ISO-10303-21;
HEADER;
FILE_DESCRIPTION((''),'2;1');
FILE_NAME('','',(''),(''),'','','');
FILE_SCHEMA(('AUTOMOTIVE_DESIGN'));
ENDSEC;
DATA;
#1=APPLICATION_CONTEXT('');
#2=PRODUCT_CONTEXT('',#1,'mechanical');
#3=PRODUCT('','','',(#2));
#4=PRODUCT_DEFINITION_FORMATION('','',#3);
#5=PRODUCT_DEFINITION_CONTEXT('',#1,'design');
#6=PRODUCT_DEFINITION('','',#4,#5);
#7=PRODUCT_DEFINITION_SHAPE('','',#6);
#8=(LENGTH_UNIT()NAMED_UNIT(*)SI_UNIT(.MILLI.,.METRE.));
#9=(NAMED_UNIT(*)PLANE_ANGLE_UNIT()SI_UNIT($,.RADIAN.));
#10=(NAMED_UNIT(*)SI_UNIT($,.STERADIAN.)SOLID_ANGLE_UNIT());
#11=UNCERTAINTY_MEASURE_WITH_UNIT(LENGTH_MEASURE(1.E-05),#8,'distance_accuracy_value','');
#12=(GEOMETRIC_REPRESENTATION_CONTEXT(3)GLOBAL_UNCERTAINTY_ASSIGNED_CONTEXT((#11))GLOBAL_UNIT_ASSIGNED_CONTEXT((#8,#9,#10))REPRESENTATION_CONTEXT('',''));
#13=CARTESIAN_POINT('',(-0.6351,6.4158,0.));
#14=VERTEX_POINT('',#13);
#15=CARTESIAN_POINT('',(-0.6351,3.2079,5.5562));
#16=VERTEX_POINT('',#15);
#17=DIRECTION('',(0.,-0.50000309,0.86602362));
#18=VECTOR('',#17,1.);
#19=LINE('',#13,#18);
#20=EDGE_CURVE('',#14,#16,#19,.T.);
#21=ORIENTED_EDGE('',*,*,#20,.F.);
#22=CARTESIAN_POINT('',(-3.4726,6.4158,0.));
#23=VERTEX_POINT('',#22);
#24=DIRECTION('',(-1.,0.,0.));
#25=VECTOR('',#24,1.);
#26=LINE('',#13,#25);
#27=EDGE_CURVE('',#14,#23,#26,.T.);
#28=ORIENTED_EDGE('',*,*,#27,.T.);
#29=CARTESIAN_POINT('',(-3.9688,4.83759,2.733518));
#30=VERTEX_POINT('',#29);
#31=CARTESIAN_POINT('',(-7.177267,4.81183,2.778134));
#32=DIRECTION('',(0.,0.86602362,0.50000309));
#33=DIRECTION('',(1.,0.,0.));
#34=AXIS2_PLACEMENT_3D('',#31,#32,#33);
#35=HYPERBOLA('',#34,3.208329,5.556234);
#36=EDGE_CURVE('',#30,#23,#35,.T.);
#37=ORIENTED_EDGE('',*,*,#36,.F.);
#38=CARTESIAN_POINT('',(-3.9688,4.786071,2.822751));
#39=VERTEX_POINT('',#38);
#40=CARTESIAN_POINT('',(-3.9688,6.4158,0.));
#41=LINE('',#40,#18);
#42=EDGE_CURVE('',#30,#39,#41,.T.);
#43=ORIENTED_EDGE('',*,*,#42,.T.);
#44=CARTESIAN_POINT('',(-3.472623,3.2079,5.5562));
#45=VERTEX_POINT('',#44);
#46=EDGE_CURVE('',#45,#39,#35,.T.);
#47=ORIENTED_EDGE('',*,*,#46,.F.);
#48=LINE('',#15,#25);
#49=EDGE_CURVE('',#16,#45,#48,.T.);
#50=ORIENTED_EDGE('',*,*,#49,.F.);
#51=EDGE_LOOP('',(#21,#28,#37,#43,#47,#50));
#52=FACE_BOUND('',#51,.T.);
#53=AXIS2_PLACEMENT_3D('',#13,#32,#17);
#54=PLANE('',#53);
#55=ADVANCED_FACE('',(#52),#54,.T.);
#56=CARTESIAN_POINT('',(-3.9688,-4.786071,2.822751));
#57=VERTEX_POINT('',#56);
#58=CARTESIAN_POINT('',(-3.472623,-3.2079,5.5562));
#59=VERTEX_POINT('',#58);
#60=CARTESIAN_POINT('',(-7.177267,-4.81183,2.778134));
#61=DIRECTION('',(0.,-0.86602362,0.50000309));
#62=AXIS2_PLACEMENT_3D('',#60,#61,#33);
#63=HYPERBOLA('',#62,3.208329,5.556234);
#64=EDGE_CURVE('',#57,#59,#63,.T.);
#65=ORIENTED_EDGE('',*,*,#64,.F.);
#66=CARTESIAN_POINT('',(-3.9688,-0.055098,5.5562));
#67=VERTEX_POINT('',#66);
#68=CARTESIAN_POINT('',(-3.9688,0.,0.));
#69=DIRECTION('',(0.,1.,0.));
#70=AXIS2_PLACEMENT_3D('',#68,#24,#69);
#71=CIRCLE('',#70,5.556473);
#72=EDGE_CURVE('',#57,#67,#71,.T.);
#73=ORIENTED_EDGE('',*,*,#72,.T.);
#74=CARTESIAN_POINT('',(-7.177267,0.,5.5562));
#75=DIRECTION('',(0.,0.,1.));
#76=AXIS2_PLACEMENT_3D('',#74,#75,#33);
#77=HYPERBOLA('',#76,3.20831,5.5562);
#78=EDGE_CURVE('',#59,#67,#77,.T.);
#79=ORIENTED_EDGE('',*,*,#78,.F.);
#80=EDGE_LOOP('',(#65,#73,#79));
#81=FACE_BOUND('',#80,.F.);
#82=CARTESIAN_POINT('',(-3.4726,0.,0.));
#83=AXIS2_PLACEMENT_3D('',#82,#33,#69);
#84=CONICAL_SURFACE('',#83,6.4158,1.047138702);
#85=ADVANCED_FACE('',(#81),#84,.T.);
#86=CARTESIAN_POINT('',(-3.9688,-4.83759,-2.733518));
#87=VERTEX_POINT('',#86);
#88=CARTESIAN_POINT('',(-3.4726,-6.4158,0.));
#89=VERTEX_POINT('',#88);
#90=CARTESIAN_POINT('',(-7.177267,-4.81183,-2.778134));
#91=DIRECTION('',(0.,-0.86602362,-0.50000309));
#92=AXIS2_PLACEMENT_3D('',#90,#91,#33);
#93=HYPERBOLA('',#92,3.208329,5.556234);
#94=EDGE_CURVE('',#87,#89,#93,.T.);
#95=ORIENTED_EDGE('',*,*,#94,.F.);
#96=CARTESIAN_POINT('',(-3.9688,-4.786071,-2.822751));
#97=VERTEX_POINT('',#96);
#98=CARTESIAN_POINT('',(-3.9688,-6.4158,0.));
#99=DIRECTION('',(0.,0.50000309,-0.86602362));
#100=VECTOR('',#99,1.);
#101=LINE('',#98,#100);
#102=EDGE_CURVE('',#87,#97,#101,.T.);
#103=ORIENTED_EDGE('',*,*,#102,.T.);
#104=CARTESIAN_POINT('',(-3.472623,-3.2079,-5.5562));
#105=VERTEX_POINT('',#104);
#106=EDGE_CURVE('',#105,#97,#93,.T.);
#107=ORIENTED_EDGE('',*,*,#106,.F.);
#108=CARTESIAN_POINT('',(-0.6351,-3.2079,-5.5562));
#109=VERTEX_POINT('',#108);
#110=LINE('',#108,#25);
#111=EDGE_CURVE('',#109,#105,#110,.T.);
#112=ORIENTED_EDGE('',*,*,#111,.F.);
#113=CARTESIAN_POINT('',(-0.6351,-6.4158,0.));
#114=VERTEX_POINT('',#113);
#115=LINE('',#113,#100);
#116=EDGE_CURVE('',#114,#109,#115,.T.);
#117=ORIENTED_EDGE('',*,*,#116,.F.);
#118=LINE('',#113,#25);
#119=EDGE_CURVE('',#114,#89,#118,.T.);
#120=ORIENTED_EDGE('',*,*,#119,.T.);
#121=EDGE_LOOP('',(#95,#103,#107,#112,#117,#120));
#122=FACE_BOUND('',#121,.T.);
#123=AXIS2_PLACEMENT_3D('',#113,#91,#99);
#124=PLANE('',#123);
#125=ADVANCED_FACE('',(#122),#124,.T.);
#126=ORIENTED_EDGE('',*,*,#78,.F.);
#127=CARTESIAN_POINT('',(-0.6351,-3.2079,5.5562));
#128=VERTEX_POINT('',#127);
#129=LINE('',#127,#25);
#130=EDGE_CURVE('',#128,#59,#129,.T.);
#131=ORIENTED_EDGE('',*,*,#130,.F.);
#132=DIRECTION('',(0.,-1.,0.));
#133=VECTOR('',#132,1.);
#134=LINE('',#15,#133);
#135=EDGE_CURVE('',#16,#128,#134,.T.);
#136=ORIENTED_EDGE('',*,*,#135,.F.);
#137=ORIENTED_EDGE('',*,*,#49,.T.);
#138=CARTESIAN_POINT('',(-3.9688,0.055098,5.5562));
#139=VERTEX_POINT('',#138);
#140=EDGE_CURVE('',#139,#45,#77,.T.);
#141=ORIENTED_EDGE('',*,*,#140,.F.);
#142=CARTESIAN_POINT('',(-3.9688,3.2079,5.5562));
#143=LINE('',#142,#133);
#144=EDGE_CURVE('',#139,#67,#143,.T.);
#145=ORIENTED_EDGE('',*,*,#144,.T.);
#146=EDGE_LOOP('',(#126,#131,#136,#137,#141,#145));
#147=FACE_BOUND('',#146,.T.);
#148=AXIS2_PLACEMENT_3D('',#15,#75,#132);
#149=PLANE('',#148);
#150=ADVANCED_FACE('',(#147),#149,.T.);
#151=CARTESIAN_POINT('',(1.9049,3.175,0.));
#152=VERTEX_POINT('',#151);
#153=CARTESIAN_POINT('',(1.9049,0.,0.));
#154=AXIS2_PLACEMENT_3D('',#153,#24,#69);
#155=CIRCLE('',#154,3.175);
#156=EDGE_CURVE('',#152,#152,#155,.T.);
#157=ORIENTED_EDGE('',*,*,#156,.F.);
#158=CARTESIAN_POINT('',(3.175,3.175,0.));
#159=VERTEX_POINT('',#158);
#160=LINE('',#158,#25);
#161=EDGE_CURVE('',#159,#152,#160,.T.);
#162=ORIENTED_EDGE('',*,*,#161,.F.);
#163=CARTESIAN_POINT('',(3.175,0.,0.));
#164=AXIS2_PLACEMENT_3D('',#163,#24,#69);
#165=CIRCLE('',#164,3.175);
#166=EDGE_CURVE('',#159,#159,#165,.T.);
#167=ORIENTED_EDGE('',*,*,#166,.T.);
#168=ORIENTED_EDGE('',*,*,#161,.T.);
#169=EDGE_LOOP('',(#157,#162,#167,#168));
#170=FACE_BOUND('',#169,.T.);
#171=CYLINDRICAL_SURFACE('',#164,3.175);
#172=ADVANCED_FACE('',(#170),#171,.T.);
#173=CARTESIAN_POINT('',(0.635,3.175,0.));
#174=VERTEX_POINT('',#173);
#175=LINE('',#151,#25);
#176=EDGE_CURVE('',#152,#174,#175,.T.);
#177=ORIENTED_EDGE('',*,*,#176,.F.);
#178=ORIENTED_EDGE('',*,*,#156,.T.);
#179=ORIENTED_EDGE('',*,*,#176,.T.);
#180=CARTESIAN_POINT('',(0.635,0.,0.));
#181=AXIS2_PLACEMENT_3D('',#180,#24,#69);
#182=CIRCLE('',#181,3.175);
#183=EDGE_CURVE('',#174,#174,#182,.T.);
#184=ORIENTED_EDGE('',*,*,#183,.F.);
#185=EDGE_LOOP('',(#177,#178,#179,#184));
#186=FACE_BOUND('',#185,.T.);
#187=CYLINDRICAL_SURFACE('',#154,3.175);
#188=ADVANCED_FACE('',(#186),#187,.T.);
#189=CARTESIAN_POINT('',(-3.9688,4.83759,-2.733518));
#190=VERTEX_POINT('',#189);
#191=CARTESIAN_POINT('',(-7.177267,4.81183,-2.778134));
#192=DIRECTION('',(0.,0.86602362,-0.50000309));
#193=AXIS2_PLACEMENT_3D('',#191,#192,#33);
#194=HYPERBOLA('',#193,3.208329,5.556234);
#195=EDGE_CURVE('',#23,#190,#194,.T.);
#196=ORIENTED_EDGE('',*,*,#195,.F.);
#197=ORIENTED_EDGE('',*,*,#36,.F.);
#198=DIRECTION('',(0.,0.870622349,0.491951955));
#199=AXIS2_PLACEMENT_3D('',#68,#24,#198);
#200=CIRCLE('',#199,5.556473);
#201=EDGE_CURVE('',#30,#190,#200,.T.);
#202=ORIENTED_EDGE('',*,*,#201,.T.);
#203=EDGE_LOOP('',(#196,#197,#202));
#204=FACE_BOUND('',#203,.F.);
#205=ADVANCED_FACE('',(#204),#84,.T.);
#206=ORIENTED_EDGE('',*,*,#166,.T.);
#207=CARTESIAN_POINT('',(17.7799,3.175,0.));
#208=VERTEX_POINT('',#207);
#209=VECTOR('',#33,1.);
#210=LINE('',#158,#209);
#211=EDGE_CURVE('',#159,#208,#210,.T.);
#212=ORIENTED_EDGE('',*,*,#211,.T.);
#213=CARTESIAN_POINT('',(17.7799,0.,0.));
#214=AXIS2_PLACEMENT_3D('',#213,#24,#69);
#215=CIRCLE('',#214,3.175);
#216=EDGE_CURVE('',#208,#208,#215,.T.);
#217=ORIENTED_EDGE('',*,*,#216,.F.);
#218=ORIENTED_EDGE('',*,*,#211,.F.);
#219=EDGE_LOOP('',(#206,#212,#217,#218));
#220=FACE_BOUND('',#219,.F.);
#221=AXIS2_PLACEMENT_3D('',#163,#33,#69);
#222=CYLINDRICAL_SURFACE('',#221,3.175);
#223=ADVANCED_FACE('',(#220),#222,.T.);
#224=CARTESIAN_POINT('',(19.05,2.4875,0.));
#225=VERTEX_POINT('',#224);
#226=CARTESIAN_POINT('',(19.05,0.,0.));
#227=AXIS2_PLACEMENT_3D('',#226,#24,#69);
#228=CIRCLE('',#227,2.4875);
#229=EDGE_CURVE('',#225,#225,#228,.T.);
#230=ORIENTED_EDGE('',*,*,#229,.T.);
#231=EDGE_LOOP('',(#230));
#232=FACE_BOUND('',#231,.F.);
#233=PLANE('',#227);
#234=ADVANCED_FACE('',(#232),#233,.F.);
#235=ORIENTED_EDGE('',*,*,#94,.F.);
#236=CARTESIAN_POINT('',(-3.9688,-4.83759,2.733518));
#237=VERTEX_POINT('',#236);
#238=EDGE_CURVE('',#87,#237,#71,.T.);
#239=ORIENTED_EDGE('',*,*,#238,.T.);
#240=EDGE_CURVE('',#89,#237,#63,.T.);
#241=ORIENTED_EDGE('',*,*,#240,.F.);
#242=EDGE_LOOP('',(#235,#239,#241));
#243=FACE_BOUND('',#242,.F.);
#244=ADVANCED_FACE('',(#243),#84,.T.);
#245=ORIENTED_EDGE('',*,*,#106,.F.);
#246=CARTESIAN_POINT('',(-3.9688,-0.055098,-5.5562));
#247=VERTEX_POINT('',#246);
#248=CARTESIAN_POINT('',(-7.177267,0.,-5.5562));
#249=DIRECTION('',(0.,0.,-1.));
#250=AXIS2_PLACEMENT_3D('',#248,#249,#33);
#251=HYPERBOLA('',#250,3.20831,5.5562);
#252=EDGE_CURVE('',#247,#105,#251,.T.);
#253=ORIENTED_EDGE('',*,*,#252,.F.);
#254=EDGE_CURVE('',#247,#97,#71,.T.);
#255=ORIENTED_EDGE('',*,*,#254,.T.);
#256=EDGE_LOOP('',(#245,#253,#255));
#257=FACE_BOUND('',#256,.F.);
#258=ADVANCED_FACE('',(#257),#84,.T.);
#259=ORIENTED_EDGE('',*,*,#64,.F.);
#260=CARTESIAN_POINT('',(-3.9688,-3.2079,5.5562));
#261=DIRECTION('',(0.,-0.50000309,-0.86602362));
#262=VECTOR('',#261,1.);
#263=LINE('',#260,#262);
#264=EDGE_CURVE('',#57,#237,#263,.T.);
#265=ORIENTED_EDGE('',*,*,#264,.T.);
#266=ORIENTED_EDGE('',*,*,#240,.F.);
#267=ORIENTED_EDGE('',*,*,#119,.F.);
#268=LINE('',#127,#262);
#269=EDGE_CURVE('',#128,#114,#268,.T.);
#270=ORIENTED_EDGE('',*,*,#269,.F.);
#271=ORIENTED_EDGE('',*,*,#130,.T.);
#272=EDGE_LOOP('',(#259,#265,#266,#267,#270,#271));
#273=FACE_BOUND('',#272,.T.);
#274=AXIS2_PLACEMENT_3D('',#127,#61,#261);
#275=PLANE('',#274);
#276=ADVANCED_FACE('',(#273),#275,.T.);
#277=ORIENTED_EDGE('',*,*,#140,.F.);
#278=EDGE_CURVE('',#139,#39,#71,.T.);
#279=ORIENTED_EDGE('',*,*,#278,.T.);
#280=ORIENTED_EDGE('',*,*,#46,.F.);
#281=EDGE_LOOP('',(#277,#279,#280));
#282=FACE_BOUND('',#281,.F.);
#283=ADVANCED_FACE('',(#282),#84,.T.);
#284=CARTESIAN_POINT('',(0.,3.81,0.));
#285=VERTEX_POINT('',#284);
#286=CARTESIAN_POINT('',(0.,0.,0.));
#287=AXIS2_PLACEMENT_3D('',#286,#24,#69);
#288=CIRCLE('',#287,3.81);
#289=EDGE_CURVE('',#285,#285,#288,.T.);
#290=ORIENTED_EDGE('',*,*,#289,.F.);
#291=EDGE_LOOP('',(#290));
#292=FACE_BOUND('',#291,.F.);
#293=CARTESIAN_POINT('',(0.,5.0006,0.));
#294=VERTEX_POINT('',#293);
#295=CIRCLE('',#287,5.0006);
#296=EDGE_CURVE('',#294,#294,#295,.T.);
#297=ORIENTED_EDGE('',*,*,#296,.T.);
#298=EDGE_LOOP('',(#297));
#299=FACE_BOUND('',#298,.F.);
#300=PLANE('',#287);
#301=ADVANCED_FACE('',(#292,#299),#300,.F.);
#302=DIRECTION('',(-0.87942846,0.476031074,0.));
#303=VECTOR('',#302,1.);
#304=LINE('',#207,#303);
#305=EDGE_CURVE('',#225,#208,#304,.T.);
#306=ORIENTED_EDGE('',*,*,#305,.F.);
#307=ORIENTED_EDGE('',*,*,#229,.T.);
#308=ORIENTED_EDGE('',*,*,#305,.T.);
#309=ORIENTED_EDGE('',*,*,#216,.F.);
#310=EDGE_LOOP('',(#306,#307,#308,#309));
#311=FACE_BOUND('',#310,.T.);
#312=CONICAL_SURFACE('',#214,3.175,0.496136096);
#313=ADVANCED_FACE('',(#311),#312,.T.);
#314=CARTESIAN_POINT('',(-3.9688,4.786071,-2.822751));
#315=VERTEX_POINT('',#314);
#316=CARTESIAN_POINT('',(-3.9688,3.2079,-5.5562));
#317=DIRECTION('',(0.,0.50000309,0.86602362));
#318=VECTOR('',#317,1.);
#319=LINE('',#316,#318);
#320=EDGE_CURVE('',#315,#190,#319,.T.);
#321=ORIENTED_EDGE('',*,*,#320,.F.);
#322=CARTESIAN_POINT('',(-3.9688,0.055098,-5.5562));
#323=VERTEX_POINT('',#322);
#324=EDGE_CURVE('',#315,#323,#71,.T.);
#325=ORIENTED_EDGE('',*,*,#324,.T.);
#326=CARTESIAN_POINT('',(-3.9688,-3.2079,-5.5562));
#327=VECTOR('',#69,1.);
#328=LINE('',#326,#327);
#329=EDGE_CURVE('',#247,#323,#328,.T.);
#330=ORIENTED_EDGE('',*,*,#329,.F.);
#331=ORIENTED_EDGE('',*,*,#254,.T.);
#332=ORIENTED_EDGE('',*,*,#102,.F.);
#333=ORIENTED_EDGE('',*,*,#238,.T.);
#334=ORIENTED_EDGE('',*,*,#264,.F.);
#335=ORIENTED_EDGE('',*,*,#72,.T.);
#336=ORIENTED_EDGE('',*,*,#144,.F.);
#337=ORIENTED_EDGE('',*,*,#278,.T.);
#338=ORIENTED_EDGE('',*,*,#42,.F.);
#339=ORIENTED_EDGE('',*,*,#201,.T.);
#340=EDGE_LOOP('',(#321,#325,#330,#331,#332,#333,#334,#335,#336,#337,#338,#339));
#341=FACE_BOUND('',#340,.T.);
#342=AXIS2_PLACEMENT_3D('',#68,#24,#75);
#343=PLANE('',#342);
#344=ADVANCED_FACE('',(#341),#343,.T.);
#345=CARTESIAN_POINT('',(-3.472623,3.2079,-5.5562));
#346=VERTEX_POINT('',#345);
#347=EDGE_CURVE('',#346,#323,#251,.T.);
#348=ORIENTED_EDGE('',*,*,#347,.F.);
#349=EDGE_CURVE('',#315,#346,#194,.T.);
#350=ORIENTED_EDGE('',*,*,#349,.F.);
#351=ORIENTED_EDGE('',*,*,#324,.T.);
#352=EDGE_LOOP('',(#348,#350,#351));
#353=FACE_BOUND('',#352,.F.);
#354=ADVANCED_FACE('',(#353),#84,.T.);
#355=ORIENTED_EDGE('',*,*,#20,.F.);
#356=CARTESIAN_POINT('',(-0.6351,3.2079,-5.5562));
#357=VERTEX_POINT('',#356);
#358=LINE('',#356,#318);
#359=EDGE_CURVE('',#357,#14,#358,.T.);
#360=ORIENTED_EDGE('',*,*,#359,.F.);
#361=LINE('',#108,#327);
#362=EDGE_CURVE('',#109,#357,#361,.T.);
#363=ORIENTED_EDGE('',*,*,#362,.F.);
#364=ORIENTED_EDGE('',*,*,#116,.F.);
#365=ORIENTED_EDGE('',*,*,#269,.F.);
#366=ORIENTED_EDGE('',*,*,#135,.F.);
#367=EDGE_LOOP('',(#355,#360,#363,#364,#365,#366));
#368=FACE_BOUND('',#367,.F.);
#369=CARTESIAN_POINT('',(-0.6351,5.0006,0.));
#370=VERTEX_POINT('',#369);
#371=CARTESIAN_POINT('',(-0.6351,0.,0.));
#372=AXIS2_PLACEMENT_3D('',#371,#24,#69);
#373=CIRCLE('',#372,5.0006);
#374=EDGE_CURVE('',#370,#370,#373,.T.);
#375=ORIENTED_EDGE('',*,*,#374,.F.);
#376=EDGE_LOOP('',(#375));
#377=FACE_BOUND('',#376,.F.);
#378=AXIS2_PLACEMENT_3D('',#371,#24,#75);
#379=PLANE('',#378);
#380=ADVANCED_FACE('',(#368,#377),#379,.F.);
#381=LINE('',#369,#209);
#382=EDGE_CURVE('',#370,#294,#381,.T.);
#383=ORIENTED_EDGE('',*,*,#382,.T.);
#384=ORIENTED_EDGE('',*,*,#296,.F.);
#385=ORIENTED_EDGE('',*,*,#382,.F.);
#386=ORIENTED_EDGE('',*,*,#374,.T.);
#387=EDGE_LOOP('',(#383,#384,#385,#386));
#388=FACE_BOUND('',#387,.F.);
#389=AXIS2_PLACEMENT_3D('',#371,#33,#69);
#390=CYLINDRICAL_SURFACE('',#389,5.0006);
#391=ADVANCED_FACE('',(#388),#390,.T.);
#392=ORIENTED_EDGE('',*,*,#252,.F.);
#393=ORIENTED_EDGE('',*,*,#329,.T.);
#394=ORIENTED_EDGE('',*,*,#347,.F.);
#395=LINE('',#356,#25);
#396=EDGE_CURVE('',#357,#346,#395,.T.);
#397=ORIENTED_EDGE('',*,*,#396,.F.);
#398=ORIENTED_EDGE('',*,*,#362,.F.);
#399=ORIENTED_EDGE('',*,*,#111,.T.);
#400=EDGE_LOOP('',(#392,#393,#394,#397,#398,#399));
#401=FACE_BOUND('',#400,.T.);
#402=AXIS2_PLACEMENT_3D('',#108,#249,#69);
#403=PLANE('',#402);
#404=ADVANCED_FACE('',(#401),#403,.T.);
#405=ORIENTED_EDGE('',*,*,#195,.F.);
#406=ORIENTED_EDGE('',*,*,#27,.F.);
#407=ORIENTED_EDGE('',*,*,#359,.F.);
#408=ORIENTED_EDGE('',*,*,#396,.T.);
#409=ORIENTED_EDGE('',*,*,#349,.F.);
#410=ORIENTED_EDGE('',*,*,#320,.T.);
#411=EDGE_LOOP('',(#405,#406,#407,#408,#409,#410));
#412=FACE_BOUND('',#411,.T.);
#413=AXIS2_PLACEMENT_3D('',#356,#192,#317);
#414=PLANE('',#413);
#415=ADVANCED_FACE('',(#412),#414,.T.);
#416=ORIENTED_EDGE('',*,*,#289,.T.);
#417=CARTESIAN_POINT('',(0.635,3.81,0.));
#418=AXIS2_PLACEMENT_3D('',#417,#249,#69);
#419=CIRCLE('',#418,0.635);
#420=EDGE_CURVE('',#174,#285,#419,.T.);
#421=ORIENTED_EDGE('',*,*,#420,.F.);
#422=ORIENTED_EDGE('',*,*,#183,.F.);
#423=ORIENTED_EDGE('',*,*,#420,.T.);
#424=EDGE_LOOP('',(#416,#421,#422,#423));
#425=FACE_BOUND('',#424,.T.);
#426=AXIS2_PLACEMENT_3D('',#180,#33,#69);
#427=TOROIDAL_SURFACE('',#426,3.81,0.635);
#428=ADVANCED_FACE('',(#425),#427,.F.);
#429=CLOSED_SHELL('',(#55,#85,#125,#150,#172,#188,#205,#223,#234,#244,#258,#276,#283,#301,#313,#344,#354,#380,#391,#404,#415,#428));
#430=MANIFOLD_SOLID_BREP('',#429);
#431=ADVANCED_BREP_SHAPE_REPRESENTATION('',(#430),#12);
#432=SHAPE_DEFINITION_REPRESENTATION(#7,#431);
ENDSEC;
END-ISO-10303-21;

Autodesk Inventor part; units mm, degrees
ref_plane "YZ Plane" through (0, 0, 0) normal (1, 0, 0) x (0, 1, 0)
ref_plane "XZ Plane" through (0, 0, 0) normal (0, 1, 0) x (-1, 0, 0)
sketch "Sketch1" plane through (0, 0, 0) normal (0, 0, 1) x (1, 0, 0)
  line L0 (0, 5.0006) -> (0, 3.175)
  line L1 (3.175, 3.175) -> (19.05, 3.175)
  line L2 (19.05, 3.175) -> (19.05, 0)
  line L3 (19.05, 0) -> (-0.6351, 0)
  line L4 (-4.5721, 0) -> (22.987, 0) projected
  line L5 (-0.6351, 0) -> (-0.6351, 5.0006)
  line L6 (-0.6351, 5.0006) -> (0, 5.0006)
  line L7 (3.175, 3.175) -> (1.9049, 3.175)
  line L8 (1.9049, 3.175) -> (0, 3.175)
  line L9 (0, -1.0001) -> (0, 6.0007) projected
  dimension "d0" = 19.05
  dimension "d1" = 15.875
  dimension "d2" = 6.35
  dimension "d9" = 0.6351
  dimension "d10" = 10.0013
  dimension "d13" = 1.2701
  dimension "d14" = 6.35
revolve "Body" add sketch "Sketch1" angle 360 about axis through (19.05, 0, 0) along (-1, 0, 0)
sketch "Sketch2" plane through (-0.6351, 0, 0) normal (-1, 0, 0) x (0, 0, 1)
  line L0 (0, 6.4158) -> (5.5562, 3.2079)
  line L1 (5.5562, 3.2079) -> (5.5562, -3.2079)
  line L2 (5.5562, -3.2079) -> (0, -6.4158)
  line L3 (0, -6.4158) -> (-5.5562, -3.2079)
  line L4 (-5.5562, -3.2079) -> (-5.5562, 3.2079)
  line L5 (-5.5562, 3.2079) -> (0, 6.4158)
  point P0 (0, 0)
  point P1 (0, 0)
  dimension "d11" = 11.1125
extrude "Head" add sketch "Sketch2" along normal blind 3.3337
sketch "Sketch4" plane through (0, 0, 0) normal (0, 0, 1) x (1, 0, 0)
  line L0 (-3.9689, 5.5563) -> (-3.9689, 6.4158)
  line L1 (-3.9689, 6.4158) -> (-3.4726, 6.4158)
  line L2 (-3.4726, 6.4158) -> (-3.9689, 5.5563)
  line L3 (-4.6356, 0) -> (0.0317, 0) projected
  line L4 (-0.6351, 6.4158) -> (-3.9688, 6.4158) projected
  line L5 (-3.9688, 3.2079) -> (-3.9688, 6.4158) projected
  dimension "d5" = 30
  dimension "d19" = 11.1125
revolve "Chamfer1" cut sketch "Sketch4" angle 360 about axis through (-10, 0, 0) along (1, 0, 0)
thread "Thread" size "1/4-20 UNC" class "2A" standard "ANSI Unified Screw Threads" length 15.875
chamfer "Chamfer2" distance 0.6875 distance2 1.2701 1 edges at (19.05, -3.175, 0) measured on face at (19.05, -0.5663, 0.5832)
ref_plane "Work Plane1" through (1.525, 0, 0) normal (0, 0, 1) x (1, 0, 0)
fillet "Fillet2" radius 0.635 1 edges at (0, -3.175, 0)
equation "\"d0\" = NLG"
equation "\"d1\" = GEL"
equation "\"d2\" = GD"
equation "\"d10\" = SD2"
equation "\"d14\" = BDM"
equation "\"d11\" = SW"
equation "\"d3\" = KOH - SD"
equation "\"d5\" = ANG1"
equation "\"d19\" = SW0"
equation "\"d63\" = R"
equation "\"d15\" = GEL"
equation "\"d6\" = -0.5 * SPD + 0.5 * GD"
equation "\"NLG\" = 19.05"
equation "\"GD\" = NND"
equation "\"BDM\" = 6.35"
equation "\"KOH\" = 3.96875"
equation "\"GEL\" = 15.875"
equation "\"SW\" = 11.1125"
equation "\"SW0\" = SW"
equation "\"SPD\" = 4.9751"
equation "\"SD2\" = 10.00125"
equation "\"SD\" = 0.635"
equation "\"ANG1\" = 30deg"
equation "\"GAL\" = 1.27"
equation "\"GUL\" = 1.27"
equation "\"R\" = 0.635"
equation "\"d62\" = -NLG - SD + GUL"
equation "\"THREADDIA\" = 6.35"
equation "\"TOA\" = 30deg"
equation "\"RR\" = 0.254"
equation "\"NND\" = 6.35"
equation "\"E0\" = 1.155 * SW"
equation "\"SLG\" = 0"
equation "\"GD1\" = 4.9751"
properties part number "ANSI B18.2.1 - 1/4-20 UNC - 0.75" material "Steel, Mild"
